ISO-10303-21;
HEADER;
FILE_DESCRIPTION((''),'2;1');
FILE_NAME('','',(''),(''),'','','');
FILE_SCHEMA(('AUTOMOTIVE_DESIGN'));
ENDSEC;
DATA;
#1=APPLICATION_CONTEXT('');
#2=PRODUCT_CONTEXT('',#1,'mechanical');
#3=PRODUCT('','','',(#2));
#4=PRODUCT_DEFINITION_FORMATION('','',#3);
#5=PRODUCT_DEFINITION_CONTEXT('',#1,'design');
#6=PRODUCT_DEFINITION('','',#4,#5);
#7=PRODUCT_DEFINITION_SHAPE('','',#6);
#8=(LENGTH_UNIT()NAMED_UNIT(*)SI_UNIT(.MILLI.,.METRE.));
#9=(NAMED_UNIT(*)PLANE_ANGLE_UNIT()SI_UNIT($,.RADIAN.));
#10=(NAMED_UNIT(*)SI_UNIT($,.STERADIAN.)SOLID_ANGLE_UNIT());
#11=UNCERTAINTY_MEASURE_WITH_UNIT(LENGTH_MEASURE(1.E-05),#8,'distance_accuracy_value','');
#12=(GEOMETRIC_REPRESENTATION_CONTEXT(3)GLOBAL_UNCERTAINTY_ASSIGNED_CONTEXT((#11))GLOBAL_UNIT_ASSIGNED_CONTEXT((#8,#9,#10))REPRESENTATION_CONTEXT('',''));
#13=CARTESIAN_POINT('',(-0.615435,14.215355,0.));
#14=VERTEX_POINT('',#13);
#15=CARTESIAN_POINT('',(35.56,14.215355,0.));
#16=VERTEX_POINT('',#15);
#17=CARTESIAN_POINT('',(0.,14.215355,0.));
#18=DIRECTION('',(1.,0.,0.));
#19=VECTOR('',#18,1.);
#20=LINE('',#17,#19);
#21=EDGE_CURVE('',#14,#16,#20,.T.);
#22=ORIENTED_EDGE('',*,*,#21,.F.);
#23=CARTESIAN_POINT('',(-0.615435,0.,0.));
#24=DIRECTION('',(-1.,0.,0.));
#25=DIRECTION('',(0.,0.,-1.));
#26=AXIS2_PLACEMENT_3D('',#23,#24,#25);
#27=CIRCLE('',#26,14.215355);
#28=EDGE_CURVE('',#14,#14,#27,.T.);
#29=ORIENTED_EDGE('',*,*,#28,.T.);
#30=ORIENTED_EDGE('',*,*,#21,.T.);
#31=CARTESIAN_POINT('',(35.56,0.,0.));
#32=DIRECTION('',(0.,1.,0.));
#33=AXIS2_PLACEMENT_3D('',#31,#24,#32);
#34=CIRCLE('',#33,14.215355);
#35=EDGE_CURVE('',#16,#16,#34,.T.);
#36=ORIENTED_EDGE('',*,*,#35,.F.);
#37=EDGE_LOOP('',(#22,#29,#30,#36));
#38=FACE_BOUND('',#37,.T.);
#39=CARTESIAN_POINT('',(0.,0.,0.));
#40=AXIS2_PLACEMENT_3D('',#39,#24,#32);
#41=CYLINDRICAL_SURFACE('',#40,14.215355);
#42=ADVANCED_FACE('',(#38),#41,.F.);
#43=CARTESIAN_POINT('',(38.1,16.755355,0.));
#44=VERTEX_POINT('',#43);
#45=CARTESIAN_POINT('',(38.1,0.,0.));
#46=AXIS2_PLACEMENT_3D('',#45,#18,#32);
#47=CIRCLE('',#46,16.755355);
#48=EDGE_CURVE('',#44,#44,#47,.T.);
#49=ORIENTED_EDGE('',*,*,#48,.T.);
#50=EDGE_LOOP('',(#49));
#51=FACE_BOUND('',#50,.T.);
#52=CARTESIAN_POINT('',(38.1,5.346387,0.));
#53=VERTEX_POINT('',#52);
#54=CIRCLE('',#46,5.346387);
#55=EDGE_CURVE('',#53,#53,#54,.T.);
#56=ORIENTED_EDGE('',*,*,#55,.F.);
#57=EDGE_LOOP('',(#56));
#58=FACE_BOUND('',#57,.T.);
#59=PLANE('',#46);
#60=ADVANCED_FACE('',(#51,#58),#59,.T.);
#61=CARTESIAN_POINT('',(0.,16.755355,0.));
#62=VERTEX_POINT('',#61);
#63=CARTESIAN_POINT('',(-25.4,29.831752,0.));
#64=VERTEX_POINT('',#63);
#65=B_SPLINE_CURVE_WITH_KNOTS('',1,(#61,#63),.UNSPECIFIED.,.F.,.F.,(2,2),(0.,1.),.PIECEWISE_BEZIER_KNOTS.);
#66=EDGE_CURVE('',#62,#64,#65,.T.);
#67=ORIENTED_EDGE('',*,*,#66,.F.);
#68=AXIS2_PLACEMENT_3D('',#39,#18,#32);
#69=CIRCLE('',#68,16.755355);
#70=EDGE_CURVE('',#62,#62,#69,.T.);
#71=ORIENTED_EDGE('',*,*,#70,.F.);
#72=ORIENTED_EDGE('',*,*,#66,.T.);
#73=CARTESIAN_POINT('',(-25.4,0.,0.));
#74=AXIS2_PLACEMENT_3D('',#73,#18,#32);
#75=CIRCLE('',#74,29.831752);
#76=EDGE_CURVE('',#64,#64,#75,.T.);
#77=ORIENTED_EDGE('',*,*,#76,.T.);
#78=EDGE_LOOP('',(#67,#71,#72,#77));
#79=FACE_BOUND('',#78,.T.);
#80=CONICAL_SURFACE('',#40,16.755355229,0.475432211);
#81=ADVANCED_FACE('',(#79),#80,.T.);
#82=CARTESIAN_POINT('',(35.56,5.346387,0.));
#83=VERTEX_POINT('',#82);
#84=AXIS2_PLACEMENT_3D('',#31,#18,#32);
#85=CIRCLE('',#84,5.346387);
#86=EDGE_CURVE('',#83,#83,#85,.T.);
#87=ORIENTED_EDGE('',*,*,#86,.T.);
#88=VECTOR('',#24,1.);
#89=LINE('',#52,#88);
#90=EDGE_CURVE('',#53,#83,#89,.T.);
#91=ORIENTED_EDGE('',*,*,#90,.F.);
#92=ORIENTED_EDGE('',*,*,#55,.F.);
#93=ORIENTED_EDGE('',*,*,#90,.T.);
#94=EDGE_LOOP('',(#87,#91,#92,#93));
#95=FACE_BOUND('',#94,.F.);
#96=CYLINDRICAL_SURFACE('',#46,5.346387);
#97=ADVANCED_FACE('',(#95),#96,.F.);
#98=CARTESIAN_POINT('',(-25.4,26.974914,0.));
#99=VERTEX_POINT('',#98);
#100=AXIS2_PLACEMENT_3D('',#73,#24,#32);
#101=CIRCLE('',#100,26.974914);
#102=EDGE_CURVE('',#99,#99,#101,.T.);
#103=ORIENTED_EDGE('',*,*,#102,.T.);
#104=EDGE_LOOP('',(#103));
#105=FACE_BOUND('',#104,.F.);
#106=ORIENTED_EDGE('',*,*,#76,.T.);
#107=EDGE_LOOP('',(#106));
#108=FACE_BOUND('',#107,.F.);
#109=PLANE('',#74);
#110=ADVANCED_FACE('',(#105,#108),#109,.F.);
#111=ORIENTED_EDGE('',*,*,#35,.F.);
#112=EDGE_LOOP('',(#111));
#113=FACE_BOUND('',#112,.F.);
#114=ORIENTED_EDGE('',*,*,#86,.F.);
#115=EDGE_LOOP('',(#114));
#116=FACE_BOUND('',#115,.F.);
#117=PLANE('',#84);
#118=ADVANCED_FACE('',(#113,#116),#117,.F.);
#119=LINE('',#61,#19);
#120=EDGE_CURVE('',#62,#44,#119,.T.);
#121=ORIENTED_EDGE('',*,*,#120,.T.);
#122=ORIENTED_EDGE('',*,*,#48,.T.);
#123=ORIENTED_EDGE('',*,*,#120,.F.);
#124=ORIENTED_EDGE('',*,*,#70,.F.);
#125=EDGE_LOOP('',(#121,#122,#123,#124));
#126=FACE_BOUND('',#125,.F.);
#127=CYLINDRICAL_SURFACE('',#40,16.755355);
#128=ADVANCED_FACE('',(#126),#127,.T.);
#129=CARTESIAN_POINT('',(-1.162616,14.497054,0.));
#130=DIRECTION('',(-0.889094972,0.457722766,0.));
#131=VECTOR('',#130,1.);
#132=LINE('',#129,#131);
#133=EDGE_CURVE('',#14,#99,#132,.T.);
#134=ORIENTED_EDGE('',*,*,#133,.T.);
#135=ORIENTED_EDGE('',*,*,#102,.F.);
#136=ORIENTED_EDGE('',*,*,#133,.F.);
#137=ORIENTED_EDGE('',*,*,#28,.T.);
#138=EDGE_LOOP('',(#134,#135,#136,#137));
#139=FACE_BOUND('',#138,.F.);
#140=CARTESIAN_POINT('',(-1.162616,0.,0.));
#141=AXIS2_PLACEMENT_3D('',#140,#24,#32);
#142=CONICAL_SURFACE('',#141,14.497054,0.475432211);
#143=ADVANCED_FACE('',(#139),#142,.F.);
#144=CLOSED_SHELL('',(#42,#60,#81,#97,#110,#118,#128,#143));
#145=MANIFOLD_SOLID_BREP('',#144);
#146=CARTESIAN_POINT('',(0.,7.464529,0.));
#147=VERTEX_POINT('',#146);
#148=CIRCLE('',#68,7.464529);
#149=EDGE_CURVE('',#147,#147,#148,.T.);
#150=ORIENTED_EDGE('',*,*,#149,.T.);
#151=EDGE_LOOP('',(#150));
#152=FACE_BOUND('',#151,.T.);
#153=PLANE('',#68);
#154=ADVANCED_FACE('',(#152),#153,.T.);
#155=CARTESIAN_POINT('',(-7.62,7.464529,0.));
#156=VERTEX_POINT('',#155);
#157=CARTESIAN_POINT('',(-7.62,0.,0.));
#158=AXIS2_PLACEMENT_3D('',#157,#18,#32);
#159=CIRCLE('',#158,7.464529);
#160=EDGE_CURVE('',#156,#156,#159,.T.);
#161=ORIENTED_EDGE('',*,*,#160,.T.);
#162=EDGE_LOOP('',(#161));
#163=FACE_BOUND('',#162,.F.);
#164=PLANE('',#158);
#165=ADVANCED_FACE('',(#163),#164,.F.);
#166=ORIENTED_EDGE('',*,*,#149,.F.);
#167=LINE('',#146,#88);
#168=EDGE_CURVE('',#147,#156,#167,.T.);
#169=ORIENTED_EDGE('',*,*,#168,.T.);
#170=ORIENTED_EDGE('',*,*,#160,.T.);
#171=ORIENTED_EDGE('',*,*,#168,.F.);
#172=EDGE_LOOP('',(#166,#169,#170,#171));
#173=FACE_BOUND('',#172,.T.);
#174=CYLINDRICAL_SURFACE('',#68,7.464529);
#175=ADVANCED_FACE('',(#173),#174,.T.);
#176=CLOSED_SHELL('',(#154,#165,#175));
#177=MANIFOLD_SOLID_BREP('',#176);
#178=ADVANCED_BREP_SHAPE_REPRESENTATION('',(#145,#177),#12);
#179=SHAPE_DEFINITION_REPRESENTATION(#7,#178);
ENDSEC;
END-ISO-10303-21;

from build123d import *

# Parameters (mm, degrees)
F0_R      = 16.755355229
F1_DEPTH  = 38.1
F1_FACE_R = 16.755355229
F3_R      = 29.8317515967
F5_T      = -2.54
F6_R      = 5.3463872414
F7_DEPTH  = 25.4
F8_R      = 7.4645289375
F9_DEPTH  = 7.62


with BuildPart() as f1:
    # F0 (on Right) → F1 (new body)
    with BuildSketch(Plane.YZ):
        Circle(F0_R)
    extrude(amount=F1_DEPTH)

    # F1_face (on face) → F4 section 0
    with BuildSketch(Plane(origin=(0, 0, 0), x_dir=(0, 1, 0), z_dir=(-1, 0, 0))):
        Circle(F1_FACE_R)
    # F3 (on offset) → F4 section 1
    with BuildSketch(Plane.YZ.offset(-25.4)):
        Circle(F3_R)
    loft()

    # F5
    f5_openings = [f1.faces().sort_by_distance(p)[0] for p in [
        (-25.4, 0, 0),
    ]]
    offset(amount=F5_T, openings=f5_openings, kind=Kind.INTERSECTION)

    # F6 (on face) → F7 (cut)
    with BuildSketch(Plane.YZ.offset(38.1)):
        Circle(F6_R)
    extrude(amount=-F7_DEPTH, mode=Mode.SUBTRACT)


with BuildPart() as f9:
    # F8 (on Right) → F9 (new body)
    with BuildSketch(Plane.YZ):
        Circle(F8_R)
    extrude(amount=-F9_DEPTH)


solid = Compound([f1.part, f9.part])
